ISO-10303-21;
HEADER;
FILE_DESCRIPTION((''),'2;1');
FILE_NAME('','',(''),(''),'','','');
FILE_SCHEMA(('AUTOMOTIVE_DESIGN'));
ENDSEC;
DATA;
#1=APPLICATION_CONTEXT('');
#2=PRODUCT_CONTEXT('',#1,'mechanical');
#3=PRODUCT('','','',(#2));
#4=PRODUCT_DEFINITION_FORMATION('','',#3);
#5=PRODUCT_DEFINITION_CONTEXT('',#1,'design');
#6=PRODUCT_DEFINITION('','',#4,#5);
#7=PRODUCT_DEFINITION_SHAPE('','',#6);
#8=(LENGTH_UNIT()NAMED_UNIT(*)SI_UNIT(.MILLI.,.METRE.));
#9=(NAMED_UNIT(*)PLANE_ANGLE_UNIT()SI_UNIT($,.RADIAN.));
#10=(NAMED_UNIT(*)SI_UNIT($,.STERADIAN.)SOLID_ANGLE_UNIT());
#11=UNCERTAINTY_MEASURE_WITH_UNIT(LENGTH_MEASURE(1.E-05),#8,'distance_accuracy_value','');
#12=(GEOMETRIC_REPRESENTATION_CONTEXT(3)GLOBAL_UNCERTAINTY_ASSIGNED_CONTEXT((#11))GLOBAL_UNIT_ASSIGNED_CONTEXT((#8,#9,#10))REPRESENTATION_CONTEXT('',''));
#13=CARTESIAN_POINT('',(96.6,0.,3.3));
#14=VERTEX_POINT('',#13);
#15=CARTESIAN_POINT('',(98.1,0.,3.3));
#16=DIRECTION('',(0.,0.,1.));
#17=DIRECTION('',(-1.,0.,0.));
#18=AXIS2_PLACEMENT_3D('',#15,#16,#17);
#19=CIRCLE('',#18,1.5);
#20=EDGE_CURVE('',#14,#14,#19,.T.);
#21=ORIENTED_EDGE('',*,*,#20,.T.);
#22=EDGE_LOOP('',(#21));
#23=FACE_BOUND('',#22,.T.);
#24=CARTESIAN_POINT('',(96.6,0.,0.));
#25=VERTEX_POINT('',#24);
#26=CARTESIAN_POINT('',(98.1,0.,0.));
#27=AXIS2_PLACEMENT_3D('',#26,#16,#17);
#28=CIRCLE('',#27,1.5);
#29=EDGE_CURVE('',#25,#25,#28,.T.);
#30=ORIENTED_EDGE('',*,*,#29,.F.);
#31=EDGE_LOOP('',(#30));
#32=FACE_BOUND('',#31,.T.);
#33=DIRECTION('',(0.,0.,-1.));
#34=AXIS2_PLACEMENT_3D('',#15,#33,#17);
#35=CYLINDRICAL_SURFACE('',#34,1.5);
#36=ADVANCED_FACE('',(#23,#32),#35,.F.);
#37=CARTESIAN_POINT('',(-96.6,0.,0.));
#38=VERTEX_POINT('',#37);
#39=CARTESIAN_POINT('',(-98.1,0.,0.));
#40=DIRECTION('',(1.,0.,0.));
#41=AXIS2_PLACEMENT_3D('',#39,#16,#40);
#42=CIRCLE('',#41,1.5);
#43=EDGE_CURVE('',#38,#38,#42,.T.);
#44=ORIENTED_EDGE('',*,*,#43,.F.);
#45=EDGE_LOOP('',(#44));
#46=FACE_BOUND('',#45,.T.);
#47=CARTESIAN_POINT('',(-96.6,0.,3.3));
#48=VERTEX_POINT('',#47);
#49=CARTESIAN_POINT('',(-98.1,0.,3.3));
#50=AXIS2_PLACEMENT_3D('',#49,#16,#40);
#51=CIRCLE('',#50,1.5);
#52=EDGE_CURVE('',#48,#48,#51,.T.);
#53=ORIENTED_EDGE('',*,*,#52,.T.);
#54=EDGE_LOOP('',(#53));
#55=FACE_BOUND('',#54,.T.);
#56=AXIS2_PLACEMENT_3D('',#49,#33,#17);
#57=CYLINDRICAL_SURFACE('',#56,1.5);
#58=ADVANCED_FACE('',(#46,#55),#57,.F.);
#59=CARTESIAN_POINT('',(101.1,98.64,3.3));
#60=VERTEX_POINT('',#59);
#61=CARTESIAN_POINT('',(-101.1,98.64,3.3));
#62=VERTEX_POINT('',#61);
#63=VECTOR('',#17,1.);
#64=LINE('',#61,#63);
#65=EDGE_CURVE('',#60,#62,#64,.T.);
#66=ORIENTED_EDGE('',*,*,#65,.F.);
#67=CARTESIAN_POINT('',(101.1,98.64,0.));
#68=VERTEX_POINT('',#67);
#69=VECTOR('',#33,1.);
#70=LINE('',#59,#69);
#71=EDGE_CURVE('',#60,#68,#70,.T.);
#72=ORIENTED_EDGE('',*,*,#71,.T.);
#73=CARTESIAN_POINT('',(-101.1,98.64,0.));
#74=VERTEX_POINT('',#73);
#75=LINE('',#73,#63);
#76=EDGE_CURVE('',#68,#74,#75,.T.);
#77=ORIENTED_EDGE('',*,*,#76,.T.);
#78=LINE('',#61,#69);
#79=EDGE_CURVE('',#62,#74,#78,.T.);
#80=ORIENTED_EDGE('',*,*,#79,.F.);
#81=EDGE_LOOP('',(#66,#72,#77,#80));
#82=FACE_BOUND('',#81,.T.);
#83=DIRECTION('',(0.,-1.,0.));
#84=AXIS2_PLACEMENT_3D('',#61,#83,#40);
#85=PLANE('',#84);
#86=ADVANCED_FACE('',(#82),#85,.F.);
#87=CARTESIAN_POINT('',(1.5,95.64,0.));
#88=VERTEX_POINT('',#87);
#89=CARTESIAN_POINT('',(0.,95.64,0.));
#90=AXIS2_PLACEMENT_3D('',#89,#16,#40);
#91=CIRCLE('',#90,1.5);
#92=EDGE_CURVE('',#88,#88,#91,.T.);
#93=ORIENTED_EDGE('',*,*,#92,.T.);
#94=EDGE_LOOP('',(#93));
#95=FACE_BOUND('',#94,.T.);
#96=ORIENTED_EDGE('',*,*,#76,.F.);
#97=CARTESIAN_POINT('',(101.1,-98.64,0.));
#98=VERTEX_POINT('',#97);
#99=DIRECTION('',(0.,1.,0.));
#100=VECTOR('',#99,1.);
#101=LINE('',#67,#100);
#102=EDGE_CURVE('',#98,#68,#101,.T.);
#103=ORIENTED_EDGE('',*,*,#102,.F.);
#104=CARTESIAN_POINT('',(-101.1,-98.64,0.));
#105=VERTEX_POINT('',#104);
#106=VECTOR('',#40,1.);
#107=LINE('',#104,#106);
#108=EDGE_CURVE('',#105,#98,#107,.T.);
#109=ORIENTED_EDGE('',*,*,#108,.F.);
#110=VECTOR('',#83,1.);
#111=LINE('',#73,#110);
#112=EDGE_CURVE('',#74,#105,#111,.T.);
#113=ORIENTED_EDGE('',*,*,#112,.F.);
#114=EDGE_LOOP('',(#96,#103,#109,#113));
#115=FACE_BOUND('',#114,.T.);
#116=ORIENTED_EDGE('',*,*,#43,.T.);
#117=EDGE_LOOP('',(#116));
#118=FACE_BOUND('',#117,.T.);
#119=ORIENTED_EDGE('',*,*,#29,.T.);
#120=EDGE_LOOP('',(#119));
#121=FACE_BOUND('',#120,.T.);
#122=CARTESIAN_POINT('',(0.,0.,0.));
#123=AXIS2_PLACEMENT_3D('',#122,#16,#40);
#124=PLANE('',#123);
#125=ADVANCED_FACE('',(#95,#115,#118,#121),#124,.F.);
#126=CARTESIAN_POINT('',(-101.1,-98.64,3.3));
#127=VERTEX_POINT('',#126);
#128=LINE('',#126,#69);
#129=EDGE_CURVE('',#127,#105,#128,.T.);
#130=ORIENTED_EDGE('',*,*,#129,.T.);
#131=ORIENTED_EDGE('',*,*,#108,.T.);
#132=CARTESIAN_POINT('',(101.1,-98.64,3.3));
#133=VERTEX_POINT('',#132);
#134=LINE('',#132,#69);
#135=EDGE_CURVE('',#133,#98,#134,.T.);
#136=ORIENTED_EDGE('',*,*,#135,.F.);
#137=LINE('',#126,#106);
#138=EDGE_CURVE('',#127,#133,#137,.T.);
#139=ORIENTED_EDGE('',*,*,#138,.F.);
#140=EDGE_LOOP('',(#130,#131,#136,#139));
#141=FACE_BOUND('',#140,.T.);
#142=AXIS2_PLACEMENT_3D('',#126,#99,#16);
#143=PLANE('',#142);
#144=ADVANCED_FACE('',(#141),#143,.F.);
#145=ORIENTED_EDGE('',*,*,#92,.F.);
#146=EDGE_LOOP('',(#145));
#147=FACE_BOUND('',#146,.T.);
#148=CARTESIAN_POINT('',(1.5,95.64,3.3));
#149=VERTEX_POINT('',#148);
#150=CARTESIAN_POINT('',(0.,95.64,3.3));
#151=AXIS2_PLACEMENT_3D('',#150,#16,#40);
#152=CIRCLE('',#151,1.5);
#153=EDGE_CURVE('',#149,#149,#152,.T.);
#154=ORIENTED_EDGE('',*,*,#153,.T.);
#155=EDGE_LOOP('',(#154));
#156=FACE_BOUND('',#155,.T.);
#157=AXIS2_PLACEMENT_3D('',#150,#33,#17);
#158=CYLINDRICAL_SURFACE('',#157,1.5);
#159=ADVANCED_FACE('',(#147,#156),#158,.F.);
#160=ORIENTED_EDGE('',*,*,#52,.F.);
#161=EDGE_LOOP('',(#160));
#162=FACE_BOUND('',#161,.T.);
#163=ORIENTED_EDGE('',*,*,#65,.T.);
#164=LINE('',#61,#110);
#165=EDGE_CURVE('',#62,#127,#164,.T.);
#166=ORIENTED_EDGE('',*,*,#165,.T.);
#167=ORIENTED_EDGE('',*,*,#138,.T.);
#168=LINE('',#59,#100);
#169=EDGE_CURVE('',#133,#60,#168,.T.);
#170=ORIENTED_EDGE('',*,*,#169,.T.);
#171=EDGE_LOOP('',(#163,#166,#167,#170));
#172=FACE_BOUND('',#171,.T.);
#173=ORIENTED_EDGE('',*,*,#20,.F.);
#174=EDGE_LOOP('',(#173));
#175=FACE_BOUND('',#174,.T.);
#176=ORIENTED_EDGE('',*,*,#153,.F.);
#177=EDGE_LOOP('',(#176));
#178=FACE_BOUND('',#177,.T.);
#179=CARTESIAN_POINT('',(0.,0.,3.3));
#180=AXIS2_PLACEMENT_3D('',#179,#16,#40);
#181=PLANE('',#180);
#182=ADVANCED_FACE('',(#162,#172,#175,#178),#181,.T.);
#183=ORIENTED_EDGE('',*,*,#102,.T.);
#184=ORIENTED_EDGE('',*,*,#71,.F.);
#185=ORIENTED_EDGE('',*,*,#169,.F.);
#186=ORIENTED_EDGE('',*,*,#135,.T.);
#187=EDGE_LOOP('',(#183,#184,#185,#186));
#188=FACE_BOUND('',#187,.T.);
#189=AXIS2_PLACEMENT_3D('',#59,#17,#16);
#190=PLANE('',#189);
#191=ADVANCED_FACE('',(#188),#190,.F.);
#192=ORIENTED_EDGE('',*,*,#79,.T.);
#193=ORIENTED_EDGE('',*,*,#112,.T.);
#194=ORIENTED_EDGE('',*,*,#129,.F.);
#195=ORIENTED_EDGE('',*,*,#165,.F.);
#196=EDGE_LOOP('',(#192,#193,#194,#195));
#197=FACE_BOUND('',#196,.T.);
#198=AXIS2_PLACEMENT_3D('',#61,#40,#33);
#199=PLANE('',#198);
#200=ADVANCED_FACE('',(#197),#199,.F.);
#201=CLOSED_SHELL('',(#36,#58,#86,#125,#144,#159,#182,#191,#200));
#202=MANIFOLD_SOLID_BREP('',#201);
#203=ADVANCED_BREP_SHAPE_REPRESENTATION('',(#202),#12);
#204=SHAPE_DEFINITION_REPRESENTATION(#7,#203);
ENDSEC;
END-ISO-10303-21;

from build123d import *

# Parameters (mm, degrees)
SKETCH1_W           = 202.2
SKETCH1_H           = 197.28
SKETCH1_R           = 1.5
BOSS_EXTRUDE1_DEPTH = 3.3


with BuildPart() as part:
    # Sketch1 → Boss-Extrude1 (new body)
    with BuildSketch(Plane.XY):
        Rectangle(SKETCH1_W, SKETCH1_H)
        with Locations((0, 95.64)):
            Circle(SKETCH1_R, mode=Mode.SUBTRACT)
        with Locations((-98.1, 0)):
            Circle(SKETCH1_R, mode=Mode.SUBTRACT)
        with Locations(Location((98.1, 0, 0), (0, 0, 180))):
            Circle(SKETCH1_R, mode=Mode.SUBTRACT)
    extrude(amount=BOSS_EXTRUDE1_DEPTH)


solid = part.part
